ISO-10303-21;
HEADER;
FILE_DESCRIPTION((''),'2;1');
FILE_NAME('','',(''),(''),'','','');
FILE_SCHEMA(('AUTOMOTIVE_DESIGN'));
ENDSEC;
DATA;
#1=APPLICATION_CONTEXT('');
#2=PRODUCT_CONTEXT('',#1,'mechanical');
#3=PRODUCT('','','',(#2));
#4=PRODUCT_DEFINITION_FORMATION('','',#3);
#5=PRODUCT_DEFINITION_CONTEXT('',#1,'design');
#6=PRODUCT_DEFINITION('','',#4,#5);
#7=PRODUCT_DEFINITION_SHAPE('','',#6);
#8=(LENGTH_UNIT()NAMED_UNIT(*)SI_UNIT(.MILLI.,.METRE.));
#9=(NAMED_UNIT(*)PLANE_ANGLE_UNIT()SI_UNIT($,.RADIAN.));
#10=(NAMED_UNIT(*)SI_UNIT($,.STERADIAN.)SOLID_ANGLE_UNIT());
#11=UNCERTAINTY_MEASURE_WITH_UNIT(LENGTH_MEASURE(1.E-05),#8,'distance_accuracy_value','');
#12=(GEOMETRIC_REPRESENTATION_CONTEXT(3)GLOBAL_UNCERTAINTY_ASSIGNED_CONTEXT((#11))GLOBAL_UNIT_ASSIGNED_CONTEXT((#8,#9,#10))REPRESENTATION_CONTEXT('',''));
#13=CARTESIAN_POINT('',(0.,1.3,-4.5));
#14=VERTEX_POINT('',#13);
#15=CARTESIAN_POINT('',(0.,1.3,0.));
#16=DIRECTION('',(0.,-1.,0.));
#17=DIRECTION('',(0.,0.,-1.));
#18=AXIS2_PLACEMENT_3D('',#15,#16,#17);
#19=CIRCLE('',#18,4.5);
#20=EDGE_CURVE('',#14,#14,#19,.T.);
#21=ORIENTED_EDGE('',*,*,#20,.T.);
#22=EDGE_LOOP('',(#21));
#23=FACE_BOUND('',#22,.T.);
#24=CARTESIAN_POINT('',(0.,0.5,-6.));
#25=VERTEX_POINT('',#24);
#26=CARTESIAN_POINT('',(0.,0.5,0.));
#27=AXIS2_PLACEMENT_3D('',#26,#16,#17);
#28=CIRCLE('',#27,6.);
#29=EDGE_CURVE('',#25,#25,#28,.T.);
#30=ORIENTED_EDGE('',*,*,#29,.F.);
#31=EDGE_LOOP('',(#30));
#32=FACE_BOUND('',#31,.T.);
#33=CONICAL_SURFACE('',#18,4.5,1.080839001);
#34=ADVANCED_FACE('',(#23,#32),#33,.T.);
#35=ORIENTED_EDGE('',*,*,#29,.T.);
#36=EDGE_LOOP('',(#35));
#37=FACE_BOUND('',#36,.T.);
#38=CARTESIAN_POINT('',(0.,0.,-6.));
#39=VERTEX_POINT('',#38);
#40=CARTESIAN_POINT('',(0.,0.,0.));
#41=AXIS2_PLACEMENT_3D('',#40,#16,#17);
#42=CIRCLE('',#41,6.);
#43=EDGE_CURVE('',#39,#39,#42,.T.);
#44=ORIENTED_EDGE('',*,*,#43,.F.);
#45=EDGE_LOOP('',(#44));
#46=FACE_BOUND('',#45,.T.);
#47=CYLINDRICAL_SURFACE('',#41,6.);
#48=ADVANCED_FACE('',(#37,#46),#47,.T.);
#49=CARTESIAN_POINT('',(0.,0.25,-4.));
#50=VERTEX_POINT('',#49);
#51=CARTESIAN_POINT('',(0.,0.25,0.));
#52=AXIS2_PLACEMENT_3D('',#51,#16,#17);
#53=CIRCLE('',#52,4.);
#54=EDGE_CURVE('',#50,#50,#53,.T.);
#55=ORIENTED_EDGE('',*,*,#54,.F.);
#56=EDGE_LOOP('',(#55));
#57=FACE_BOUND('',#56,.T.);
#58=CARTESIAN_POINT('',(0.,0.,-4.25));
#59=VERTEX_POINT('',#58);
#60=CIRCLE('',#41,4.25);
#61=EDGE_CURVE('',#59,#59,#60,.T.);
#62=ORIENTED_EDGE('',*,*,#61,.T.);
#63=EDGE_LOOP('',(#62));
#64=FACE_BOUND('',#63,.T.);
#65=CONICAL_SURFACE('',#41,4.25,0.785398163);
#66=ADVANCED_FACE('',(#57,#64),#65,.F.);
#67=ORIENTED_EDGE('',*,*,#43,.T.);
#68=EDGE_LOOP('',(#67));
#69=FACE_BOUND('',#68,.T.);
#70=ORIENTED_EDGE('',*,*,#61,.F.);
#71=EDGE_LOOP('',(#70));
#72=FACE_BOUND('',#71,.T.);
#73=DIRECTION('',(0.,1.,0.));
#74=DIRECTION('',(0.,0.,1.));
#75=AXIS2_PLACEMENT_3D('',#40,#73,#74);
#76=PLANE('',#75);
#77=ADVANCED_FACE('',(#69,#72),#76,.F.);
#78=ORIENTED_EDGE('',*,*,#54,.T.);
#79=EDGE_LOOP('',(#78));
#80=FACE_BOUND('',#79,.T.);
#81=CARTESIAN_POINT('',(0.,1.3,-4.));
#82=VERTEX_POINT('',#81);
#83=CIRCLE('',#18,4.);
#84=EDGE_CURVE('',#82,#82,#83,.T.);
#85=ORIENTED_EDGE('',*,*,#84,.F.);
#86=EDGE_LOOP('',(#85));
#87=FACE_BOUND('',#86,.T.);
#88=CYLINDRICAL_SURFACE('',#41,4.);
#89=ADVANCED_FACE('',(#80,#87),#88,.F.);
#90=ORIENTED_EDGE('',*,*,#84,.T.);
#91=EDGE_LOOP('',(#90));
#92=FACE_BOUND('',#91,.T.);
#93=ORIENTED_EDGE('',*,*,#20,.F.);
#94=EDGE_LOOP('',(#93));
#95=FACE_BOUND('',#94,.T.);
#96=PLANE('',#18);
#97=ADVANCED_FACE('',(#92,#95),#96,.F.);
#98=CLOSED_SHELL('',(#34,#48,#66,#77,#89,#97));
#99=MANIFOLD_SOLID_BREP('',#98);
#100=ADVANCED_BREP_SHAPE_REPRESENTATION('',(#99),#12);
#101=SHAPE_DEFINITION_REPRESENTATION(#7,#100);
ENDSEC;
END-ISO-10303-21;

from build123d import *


with BuildPart() as part:
    # Sketch1 → Revolve1 (revolve)
    with BuildSketch(Plane.XY, mode=Mode.PRIVATE) as revolve1_sk:
        Polygon((-4.25, 0), (-4, 0.25), (-4, 1.3), (-4.5, 1.3), (-6, 0.5), (-6, 0), align=None)
    revolve(revolve1_sk.sketch.rotate(Axis((0, 0, 0), (0, 1, 0)), 270), axis=Axis((0, 0, 0), (0, 1, 0)))


solid = part.part
